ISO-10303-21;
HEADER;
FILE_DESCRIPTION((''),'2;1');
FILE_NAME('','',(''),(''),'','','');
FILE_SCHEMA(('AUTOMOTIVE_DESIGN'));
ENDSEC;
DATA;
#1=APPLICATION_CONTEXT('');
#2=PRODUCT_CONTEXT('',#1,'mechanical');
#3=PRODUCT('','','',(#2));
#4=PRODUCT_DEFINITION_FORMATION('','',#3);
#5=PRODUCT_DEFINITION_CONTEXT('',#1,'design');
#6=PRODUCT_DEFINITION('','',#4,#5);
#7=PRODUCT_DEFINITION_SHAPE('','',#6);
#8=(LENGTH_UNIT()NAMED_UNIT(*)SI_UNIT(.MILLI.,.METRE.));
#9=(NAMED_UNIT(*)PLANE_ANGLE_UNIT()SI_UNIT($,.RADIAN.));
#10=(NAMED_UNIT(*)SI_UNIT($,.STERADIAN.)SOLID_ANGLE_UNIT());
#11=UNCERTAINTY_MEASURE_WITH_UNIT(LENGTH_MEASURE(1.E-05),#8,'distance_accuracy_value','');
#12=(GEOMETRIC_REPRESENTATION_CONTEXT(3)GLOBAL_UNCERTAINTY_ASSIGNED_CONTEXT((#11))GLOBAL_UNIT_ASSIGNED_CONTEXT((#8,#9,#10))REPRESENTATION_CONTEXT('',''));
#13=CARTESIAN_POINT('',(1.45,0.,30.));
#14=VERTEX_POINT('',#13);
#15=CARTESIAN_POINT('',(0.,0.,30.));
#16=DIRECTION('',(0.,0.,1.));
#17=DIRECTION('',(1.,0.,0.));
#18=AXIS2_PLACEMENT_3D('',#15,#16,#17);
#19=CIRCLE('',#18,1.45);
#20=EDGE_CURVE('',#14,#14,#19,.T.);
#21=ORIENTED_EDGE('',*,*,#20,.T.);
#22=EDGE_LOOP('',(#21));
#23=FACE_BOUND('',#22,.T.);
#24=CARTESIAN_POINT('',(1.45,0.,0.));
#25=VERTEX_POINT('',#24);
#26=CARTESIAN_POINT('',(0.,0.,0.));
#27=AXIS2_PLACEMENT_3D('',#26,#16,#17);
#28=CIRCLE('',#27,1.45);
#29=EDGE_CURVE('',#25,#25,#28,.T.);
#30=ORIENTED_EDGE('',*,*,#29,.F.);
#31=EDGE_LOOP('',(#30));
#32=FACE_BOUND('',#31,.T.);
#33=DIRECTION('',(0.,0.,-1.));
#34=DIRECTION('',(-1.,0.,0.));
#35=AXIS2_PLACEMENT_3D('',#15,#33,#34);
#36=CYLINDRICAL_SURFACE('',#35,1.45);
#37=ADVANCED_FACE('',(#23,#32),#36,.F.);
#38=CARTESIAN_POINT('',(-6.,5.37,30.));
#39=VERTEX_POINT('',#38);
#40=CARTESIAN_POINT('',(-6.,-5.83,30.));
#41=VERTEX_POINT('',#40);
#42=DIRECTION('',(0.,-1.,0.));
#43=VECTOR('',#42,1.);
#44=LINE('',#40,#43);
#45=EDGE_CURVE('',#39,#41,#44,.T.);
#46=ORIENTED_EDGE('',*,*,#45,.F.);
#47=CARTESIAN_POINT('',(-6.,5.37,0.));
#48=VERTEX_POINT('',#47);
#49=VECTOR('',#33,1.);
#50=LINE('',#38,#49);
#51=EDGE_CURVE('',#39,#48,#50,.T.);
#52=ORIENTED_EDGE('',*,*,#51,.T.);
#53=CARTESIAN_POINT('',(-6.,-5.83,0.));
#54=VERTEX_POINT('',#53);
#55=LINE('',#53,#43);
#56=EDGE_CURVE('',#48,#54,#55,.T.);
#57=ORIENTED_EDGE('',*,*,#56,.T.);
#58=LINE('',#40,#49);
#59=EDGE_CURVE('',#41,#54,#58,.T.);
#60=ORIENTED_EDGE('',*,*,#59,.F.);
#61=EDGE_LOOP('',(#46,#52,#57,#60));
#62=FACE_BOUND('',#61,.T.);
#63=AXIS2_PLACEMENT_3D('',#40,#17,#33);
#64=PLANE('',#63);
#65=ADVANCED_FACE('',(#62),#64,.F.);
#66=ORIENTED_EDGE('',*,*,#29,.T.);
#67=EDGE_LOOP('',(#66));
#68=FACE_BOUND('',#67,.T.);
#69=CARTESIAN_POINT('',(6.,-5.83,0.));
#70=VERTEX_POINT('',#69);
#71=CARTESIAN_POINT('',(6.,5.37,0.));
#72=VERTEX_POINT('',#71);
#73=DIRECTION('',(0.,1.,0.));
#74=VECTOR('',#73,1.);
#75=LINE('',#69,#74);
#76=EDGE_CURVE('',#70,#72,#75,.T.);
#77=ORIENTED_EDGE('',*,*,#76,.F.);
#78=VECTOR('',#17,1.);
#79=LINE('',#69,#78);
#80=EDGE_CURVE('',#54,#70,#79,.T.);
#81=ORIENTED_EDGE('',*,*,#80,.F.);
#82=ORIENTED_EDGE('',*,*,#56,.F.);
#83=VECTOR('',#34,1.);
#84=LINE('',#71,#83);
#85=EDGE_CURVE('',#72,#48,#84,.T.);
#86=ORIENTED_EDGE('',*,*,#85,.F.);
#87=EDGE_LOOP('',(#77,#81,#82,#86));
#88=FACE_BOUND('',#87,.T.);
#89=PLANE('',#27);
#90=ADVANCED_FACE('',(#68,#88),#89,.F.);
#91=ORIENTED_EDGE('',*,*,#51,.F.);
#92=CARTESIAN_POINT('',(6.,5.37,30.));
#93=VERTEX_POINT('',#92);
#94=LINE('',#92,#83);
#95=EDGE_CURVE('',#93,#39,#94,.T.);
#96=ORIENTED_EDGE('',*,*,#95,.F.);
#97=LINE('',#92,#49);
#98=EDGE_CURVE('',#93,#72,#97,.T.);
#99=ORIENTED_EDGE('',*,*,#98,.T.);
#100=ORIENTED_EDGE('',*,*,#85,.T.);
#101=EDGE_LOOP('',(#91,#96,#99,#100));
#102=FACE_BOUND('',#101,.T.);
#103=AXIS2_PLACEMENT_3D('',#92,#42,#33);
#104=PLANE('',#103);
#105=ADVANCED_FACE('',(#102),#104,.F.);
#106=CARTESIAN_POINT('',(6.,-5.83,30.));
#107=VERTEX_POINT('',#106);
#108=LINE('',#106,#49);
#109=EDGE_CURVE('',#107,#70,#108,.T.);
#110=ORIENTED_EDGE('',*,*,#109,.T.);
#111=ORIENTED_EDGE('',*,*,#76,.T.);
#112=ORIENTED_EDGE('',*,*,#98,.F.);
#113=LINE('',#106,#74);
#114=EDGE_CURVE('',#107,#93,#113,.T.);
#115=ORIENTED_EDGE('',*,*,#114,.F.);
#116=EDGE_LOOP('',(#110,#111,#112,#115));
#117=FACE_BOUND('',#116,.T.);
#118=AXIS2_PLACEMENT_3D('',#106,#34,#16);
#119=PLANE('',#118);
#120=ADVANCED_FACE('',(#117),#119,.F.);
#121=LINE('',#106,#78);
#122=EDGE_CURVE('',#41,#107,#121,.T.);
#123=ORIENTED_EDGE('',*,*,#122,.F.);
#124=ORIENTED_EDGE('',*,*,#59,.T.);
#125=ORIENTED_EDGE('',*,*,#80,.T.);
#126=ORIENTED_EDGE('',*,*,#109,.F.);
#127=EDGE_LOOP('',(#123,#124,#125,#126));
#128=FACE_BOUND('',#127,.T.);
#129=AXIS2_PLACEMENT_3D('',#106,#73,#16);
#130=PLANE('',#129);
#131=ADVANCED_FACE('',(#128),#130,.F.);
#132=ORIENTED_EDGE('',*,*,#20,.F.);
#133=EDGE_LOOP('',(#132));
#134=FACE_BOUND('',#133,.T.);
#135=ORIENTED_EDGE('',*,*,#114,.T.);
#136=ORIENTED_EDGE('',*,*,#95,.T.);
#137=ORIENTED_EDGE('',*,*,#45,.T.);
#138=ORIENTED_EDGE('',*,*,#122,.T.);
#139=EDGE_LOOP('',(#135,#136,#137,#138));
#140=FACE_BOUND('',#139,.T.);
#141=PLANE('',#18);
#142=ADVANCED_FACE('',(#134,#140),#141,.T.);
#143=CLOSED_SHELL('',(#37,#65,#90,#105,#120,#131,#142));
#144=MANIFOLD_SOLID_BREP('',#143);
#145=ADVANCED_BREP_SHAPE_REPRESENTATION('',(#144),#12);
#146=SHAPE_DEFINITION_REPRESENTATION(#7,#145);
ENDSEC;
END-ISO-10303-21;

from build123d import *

# Parameters (mm, degrees)
SKETCH1_W           = 12
SKETCH1_H           = 11.2
SKETCH1_R           = 1.45
BOSS_EXTRUDE1_DEPTH = 30


with BuildPart() as part:
    # Sketch1 → Boss-Extrude1 (new body)
    with BuildSketch(Plane.XY):
        with Locations((0, -0.23)):
            Rectangle(SKETCH1_W, SKETCH1_H)
        Circle(SKETCH1_R, mode=Mode.SUBTRACT)
    extrude(amount=BOSS_EXTRUDE1_DEPTH)


solid = part.part
